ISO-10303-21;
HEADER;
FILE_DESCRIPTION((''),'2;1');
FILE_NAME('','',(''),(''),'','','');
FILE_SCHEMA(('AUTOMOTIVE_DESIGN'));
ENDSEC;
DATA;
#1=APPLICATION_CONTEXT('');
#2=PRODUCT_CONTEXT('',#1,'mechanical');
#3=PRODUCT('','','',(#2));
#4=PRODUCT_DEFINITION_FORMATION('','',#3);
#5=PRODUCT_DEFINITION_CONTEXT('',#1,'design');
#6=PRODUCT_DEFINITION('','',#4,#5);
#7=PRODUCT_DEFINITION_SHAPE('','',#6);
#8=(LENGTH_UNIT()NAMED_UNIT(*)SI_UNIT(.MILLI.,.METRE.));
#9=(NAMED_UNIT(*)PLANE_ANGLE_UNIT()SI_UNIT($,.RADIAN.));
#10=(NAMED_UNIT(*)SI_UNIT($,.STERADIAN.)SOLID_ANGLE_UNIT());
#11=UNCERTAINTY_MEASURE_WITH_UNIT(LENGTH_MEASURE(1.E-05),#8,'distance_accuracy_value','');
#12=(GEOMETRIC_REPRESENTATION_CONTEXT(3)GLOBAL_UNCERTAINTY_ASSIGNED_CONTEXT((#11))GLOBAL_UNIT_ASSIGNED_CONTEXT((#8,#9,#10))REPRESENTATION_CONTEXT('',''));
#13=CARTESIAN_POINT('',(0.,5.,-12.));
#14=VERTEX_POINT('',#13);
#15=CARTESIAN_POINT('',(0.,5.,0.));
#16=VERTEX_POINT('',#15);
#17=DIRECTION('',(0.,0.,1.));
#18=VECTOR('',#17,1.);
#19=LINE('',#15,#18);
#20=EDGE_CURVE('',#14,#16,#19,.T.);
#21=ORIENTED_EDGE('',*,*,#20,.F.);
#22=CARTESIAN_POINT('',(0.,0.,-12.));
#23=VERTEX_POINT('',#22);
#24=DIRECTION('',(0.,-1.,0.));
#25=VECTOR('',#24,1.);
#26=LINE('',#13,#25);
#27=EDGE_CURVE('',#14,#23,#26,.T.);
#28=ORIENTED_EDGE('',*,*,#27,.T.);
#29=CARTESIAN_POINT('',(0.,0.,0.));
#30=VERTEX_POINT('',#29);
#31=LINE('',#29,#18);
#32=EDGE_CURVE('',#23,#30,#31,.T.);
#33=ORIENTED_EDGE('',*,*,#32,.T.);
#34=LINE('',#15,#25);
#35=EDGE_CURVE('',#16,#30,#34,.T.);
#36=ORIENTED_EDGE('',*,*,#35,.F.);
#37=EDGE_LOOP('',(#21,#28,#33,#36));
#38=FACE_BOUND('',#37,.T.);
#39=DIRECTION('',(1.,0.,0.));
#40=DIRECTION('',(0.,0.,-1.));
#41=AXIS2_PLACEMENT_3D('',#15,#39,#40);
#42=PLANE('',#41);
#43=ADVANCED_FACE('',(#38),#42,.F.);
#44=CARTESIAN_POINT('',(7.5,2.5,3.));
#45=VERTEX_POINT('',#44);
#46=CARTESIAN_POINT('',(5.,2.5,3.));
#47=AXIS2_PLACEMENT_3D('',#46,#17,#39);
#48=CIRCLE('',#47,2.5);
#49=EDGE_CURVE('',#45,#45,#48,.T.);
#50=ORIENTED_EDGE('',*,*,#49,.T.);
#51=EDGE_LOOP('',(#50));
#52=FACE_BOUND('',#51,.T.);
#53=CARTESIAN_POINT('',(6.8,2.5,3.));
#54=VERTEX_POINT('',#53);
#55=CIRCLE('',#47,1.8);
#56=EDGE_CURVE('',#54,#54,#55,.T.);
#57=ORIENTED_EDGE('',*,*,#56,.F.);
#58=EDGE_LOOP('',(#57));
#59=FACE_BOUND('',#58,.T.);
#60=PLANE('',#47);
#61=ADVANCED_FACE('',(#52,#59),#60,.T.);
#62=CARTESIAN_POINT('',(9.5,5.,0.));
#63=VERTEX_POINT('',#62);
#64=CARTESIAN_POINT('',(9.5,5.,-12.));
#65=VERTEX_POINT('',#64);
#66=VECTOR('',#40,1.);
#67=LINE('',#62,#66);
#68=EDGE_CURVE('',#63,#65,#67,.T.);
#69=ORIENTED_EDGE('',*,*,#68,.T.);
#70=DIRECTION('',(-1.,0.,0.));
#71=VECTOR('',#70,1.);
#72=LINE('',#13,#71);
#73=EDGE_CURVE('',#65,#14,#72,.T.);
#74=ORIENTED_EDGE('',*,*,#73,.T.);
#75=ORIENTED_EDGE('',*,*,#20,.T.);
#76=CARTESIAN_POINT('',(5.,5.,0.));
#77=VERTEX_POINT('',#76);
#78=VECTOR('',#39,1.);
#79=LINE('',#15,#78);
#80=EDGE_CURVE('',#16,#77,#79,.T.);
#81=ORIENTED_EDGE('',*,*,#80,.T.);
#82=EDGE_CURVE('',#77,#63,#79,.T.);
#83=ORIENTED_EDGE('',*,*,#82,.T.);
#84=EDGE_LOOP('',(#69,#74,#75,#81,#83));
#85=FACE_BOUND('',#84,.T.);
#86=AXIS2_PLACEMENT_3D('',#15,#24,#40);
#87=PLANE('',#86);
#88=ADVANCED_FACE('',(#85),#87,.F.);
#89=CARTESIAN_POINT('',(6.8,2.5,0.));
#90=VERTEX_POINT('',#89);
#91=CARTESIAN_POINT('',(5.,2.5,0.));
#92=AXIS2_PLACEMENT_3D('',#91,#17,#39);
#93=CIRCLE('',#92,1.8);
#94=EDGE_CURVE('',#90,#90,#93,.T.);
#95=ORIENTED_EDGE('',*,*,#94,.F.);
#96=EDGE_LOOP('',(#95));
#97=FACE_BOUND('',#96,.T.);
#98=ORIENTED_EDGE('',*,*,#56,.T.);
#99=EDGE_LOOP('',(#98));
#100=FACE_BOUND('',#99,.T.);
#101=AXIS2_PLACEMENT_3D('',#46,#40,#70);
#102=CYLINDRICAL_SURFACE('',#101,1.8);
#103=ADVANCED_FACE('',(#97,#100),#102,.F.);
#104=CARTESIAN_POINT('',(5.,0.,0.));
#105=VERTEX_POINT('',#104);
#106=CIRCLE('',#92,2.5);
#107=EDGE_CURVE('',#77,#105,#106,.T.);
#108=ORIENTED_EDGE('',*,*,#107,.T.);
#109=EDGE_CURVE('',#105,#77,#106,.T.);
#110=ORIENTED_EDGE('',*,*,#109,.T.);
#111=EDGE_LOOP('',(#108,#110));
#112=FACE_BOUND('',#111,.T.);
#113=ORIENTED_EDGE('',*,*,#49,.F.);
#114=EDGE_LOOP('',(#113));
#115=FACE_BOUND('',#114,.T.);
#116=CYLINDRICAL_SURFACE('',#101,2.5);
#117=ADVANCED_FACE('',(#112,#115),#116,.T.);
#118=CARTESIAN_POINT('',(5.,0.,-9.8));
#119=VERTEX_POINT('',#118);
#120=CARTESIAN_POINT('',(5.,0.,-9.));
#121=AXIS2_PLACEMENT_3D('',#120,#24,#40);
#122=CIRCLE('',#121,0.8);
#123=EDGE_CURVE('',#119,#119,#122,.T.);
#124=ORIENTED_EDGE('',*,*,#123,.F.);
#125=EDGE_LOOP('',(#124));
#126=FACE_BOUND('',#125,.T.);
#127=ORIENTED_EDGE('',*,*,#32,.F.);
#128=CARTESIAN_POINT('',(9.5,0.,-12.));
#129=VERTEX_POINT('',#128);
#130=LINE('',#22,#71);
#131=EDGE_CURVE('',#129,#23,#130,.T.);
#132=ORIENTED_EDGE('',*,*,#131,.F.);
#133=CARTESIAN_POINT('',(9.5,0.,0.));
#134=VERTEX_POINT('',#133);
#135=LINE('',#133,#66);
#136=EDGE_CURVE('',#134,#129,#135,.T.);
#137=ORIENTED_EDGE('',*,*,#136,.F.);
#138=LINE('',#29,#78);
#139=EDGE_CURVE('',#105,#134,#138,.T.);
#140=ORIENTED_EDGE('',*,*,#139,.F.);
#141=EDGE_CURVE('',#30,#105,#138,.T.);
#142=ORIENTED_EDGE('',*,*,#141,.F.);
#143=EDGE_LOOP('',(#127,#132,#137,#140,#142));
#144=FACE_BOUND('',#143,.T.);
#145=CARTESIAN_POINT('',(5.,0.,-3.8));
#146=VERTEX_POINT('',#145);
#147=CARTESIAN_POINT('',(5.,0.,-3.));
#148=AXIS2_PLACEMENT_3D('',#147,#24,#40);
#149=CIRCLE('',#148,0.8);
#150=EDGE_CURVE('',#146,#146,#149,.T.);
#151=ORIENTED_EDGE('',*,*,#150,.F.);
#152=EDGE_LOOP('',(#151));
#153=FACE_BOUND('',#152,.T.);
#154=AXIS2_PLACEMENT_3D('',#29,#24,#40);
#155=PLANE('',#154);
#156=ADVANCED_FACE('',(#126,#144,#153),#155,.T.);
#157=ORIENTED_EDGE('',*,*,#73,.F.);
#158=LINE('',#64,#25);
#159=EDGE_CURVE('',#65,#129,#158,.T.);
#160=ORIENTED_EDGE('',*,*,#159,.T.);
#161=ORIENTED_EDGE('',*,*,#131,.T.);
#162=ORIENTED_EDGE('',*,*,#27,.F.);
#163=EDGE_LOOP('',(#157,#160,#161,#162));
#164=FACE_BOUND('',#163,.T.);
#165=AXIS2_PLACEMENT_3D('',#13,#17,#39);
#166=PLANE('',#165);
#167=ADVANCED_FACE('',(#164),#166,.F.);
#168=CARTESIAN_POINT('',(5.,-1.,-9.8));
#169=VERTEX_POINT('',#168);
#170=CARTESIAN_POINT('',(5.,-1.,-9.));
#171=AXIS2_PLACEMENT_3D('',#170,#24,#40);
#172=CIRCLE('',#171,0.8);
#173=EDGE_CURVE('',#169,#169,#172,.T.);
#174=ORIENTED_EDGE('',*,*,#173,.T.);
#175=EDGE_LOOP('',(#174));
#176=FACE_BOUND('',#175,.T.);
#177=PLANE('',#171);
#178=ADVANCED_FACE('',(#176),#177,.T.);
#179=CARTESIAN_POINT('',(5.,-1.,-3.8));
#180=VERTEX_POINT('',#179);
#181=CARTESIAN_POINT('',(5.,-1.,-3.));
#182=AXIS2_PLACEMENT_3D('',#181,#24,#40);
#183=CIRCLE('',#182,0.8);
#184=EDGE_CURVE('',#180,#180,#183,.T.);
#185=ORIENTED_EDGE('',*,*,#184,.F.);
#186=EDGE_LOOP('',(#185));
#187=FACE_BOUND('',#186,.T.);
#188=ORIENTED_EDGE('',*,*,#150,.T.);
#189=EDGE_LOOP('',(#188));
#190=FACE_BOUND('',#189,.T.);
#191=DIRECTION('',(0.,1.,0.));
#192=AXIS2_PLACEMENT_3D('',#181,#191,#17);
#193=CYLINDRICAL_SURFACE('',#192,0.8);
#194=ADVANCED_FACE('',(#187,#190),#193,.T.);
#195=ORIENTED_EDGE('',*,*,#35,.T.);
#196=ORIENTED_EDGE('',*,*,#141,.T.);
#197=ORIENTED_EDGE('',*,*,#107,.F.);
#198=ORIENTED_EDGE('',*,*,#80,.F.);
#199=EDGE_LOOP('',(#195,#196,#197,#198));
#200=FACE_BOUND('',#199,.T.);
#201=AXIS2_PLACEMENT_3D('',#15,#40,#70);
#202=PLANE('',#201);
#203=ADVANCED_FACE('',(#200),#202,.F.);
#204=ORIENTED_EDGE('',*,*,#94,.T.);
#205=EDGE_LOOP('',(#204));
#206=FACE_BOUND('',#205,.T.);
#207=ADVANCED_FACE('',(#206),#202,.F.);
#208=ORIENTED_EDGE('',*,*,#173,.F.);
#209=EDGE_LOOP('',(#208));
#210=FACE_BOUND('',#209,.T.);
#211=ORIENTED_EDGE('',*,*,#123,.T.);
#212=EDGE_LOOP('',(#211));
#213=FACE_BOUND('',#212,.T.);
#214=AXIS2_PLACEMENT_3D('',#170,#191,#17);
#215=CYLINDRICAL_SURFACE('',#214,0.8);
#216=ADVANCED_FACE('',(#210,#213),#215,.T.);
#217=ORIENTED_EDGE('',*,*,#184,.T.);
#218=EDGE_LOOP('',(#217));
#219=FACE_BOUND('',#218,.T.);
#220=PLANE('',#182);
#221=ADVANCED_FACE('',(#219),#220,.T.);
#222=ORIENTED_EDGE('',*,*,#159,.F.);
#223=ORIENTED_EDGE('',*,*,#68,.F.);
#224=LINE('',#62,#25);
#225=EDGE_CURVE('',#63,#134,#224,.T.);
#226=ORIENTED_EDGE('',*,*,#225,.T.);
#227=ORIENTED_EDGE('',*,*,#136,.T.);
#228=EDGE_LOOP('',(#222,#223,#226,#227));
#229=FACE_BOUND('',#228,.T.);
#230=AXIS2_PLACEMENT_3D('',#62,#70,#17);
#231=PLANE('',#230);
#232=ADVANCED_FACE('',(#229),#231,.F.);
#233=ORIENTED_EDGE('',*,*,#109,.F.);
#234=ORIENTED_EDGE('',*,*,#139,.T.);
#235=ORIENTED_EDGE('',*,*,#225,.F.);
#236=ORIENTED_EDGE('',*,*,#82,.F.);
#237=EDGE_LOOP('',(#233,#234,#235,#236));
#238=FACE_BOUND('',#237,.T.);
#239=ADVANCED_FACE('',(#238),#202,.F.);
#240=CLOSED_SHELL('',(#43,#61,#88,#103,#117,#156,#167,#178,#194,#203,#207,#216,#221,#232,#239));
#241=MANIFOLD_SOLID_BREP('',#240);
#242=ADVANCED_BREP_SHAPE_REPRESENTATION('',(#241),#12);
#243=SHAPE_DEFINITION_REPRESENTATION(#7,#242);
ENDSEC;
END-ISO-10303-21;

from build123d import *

# Parameters (mm, degrees)
SKETCH1_W           = 9.5
SKETCH1_H           = 12
BOSS_EXTRUDE1_DEPTH = 5
SKETCH2_R           = 2.5
SKETCH2_R_2         = 1.8
BOSS_EXTRUDE2_DEPTH = 3
SKETCH3_R           = 0.8
BOSS_EXTRUDE3_DEPTH = 1


with BuildPart() as part:
    # Sketch1 → Boss-Extrude1 (new body)
    with BuildSketch(Plane(origin=(0, 0, 0), x_dir=(1, 0, 0), z_dir=(0, 1, 0))):
        with Locations((4.75, 6)):
            Rectangle(SKETCH1_W, SKETCH1_H)
    extrude(amount=BOSS_EXTRUDE1_DEPTH)

    # Sketch2 → Boss-Extrude2 (add)
    with BuildSketch(Plane.XY):
        with Locations(Location((5, 2.5, 0), (0, 0, 270))):
            Circle(SKETCH2_R)
        with Locations((5, 2.5)):
            Circle(SKETCH2_R_2, mode=Mode.SUBTRACT)
    extrude(amount=BOSS_EXTRUDE2_DEPTH)

    # Sketch3 → Boss-Extrude3 (add)
    with BuildSketch(Plane.XZ):
        with Locations(Location((5, -3, 0), (0, 0, 270))):
            Circle(SKETCH3_R)
        with Locations(Location((5, -9, 0), (0, 0, 270))):
            Circle(SKETCH3_R)
    extrude(amount=BOSS_EXTRUDE3_DEPTH)


solid = part.part
